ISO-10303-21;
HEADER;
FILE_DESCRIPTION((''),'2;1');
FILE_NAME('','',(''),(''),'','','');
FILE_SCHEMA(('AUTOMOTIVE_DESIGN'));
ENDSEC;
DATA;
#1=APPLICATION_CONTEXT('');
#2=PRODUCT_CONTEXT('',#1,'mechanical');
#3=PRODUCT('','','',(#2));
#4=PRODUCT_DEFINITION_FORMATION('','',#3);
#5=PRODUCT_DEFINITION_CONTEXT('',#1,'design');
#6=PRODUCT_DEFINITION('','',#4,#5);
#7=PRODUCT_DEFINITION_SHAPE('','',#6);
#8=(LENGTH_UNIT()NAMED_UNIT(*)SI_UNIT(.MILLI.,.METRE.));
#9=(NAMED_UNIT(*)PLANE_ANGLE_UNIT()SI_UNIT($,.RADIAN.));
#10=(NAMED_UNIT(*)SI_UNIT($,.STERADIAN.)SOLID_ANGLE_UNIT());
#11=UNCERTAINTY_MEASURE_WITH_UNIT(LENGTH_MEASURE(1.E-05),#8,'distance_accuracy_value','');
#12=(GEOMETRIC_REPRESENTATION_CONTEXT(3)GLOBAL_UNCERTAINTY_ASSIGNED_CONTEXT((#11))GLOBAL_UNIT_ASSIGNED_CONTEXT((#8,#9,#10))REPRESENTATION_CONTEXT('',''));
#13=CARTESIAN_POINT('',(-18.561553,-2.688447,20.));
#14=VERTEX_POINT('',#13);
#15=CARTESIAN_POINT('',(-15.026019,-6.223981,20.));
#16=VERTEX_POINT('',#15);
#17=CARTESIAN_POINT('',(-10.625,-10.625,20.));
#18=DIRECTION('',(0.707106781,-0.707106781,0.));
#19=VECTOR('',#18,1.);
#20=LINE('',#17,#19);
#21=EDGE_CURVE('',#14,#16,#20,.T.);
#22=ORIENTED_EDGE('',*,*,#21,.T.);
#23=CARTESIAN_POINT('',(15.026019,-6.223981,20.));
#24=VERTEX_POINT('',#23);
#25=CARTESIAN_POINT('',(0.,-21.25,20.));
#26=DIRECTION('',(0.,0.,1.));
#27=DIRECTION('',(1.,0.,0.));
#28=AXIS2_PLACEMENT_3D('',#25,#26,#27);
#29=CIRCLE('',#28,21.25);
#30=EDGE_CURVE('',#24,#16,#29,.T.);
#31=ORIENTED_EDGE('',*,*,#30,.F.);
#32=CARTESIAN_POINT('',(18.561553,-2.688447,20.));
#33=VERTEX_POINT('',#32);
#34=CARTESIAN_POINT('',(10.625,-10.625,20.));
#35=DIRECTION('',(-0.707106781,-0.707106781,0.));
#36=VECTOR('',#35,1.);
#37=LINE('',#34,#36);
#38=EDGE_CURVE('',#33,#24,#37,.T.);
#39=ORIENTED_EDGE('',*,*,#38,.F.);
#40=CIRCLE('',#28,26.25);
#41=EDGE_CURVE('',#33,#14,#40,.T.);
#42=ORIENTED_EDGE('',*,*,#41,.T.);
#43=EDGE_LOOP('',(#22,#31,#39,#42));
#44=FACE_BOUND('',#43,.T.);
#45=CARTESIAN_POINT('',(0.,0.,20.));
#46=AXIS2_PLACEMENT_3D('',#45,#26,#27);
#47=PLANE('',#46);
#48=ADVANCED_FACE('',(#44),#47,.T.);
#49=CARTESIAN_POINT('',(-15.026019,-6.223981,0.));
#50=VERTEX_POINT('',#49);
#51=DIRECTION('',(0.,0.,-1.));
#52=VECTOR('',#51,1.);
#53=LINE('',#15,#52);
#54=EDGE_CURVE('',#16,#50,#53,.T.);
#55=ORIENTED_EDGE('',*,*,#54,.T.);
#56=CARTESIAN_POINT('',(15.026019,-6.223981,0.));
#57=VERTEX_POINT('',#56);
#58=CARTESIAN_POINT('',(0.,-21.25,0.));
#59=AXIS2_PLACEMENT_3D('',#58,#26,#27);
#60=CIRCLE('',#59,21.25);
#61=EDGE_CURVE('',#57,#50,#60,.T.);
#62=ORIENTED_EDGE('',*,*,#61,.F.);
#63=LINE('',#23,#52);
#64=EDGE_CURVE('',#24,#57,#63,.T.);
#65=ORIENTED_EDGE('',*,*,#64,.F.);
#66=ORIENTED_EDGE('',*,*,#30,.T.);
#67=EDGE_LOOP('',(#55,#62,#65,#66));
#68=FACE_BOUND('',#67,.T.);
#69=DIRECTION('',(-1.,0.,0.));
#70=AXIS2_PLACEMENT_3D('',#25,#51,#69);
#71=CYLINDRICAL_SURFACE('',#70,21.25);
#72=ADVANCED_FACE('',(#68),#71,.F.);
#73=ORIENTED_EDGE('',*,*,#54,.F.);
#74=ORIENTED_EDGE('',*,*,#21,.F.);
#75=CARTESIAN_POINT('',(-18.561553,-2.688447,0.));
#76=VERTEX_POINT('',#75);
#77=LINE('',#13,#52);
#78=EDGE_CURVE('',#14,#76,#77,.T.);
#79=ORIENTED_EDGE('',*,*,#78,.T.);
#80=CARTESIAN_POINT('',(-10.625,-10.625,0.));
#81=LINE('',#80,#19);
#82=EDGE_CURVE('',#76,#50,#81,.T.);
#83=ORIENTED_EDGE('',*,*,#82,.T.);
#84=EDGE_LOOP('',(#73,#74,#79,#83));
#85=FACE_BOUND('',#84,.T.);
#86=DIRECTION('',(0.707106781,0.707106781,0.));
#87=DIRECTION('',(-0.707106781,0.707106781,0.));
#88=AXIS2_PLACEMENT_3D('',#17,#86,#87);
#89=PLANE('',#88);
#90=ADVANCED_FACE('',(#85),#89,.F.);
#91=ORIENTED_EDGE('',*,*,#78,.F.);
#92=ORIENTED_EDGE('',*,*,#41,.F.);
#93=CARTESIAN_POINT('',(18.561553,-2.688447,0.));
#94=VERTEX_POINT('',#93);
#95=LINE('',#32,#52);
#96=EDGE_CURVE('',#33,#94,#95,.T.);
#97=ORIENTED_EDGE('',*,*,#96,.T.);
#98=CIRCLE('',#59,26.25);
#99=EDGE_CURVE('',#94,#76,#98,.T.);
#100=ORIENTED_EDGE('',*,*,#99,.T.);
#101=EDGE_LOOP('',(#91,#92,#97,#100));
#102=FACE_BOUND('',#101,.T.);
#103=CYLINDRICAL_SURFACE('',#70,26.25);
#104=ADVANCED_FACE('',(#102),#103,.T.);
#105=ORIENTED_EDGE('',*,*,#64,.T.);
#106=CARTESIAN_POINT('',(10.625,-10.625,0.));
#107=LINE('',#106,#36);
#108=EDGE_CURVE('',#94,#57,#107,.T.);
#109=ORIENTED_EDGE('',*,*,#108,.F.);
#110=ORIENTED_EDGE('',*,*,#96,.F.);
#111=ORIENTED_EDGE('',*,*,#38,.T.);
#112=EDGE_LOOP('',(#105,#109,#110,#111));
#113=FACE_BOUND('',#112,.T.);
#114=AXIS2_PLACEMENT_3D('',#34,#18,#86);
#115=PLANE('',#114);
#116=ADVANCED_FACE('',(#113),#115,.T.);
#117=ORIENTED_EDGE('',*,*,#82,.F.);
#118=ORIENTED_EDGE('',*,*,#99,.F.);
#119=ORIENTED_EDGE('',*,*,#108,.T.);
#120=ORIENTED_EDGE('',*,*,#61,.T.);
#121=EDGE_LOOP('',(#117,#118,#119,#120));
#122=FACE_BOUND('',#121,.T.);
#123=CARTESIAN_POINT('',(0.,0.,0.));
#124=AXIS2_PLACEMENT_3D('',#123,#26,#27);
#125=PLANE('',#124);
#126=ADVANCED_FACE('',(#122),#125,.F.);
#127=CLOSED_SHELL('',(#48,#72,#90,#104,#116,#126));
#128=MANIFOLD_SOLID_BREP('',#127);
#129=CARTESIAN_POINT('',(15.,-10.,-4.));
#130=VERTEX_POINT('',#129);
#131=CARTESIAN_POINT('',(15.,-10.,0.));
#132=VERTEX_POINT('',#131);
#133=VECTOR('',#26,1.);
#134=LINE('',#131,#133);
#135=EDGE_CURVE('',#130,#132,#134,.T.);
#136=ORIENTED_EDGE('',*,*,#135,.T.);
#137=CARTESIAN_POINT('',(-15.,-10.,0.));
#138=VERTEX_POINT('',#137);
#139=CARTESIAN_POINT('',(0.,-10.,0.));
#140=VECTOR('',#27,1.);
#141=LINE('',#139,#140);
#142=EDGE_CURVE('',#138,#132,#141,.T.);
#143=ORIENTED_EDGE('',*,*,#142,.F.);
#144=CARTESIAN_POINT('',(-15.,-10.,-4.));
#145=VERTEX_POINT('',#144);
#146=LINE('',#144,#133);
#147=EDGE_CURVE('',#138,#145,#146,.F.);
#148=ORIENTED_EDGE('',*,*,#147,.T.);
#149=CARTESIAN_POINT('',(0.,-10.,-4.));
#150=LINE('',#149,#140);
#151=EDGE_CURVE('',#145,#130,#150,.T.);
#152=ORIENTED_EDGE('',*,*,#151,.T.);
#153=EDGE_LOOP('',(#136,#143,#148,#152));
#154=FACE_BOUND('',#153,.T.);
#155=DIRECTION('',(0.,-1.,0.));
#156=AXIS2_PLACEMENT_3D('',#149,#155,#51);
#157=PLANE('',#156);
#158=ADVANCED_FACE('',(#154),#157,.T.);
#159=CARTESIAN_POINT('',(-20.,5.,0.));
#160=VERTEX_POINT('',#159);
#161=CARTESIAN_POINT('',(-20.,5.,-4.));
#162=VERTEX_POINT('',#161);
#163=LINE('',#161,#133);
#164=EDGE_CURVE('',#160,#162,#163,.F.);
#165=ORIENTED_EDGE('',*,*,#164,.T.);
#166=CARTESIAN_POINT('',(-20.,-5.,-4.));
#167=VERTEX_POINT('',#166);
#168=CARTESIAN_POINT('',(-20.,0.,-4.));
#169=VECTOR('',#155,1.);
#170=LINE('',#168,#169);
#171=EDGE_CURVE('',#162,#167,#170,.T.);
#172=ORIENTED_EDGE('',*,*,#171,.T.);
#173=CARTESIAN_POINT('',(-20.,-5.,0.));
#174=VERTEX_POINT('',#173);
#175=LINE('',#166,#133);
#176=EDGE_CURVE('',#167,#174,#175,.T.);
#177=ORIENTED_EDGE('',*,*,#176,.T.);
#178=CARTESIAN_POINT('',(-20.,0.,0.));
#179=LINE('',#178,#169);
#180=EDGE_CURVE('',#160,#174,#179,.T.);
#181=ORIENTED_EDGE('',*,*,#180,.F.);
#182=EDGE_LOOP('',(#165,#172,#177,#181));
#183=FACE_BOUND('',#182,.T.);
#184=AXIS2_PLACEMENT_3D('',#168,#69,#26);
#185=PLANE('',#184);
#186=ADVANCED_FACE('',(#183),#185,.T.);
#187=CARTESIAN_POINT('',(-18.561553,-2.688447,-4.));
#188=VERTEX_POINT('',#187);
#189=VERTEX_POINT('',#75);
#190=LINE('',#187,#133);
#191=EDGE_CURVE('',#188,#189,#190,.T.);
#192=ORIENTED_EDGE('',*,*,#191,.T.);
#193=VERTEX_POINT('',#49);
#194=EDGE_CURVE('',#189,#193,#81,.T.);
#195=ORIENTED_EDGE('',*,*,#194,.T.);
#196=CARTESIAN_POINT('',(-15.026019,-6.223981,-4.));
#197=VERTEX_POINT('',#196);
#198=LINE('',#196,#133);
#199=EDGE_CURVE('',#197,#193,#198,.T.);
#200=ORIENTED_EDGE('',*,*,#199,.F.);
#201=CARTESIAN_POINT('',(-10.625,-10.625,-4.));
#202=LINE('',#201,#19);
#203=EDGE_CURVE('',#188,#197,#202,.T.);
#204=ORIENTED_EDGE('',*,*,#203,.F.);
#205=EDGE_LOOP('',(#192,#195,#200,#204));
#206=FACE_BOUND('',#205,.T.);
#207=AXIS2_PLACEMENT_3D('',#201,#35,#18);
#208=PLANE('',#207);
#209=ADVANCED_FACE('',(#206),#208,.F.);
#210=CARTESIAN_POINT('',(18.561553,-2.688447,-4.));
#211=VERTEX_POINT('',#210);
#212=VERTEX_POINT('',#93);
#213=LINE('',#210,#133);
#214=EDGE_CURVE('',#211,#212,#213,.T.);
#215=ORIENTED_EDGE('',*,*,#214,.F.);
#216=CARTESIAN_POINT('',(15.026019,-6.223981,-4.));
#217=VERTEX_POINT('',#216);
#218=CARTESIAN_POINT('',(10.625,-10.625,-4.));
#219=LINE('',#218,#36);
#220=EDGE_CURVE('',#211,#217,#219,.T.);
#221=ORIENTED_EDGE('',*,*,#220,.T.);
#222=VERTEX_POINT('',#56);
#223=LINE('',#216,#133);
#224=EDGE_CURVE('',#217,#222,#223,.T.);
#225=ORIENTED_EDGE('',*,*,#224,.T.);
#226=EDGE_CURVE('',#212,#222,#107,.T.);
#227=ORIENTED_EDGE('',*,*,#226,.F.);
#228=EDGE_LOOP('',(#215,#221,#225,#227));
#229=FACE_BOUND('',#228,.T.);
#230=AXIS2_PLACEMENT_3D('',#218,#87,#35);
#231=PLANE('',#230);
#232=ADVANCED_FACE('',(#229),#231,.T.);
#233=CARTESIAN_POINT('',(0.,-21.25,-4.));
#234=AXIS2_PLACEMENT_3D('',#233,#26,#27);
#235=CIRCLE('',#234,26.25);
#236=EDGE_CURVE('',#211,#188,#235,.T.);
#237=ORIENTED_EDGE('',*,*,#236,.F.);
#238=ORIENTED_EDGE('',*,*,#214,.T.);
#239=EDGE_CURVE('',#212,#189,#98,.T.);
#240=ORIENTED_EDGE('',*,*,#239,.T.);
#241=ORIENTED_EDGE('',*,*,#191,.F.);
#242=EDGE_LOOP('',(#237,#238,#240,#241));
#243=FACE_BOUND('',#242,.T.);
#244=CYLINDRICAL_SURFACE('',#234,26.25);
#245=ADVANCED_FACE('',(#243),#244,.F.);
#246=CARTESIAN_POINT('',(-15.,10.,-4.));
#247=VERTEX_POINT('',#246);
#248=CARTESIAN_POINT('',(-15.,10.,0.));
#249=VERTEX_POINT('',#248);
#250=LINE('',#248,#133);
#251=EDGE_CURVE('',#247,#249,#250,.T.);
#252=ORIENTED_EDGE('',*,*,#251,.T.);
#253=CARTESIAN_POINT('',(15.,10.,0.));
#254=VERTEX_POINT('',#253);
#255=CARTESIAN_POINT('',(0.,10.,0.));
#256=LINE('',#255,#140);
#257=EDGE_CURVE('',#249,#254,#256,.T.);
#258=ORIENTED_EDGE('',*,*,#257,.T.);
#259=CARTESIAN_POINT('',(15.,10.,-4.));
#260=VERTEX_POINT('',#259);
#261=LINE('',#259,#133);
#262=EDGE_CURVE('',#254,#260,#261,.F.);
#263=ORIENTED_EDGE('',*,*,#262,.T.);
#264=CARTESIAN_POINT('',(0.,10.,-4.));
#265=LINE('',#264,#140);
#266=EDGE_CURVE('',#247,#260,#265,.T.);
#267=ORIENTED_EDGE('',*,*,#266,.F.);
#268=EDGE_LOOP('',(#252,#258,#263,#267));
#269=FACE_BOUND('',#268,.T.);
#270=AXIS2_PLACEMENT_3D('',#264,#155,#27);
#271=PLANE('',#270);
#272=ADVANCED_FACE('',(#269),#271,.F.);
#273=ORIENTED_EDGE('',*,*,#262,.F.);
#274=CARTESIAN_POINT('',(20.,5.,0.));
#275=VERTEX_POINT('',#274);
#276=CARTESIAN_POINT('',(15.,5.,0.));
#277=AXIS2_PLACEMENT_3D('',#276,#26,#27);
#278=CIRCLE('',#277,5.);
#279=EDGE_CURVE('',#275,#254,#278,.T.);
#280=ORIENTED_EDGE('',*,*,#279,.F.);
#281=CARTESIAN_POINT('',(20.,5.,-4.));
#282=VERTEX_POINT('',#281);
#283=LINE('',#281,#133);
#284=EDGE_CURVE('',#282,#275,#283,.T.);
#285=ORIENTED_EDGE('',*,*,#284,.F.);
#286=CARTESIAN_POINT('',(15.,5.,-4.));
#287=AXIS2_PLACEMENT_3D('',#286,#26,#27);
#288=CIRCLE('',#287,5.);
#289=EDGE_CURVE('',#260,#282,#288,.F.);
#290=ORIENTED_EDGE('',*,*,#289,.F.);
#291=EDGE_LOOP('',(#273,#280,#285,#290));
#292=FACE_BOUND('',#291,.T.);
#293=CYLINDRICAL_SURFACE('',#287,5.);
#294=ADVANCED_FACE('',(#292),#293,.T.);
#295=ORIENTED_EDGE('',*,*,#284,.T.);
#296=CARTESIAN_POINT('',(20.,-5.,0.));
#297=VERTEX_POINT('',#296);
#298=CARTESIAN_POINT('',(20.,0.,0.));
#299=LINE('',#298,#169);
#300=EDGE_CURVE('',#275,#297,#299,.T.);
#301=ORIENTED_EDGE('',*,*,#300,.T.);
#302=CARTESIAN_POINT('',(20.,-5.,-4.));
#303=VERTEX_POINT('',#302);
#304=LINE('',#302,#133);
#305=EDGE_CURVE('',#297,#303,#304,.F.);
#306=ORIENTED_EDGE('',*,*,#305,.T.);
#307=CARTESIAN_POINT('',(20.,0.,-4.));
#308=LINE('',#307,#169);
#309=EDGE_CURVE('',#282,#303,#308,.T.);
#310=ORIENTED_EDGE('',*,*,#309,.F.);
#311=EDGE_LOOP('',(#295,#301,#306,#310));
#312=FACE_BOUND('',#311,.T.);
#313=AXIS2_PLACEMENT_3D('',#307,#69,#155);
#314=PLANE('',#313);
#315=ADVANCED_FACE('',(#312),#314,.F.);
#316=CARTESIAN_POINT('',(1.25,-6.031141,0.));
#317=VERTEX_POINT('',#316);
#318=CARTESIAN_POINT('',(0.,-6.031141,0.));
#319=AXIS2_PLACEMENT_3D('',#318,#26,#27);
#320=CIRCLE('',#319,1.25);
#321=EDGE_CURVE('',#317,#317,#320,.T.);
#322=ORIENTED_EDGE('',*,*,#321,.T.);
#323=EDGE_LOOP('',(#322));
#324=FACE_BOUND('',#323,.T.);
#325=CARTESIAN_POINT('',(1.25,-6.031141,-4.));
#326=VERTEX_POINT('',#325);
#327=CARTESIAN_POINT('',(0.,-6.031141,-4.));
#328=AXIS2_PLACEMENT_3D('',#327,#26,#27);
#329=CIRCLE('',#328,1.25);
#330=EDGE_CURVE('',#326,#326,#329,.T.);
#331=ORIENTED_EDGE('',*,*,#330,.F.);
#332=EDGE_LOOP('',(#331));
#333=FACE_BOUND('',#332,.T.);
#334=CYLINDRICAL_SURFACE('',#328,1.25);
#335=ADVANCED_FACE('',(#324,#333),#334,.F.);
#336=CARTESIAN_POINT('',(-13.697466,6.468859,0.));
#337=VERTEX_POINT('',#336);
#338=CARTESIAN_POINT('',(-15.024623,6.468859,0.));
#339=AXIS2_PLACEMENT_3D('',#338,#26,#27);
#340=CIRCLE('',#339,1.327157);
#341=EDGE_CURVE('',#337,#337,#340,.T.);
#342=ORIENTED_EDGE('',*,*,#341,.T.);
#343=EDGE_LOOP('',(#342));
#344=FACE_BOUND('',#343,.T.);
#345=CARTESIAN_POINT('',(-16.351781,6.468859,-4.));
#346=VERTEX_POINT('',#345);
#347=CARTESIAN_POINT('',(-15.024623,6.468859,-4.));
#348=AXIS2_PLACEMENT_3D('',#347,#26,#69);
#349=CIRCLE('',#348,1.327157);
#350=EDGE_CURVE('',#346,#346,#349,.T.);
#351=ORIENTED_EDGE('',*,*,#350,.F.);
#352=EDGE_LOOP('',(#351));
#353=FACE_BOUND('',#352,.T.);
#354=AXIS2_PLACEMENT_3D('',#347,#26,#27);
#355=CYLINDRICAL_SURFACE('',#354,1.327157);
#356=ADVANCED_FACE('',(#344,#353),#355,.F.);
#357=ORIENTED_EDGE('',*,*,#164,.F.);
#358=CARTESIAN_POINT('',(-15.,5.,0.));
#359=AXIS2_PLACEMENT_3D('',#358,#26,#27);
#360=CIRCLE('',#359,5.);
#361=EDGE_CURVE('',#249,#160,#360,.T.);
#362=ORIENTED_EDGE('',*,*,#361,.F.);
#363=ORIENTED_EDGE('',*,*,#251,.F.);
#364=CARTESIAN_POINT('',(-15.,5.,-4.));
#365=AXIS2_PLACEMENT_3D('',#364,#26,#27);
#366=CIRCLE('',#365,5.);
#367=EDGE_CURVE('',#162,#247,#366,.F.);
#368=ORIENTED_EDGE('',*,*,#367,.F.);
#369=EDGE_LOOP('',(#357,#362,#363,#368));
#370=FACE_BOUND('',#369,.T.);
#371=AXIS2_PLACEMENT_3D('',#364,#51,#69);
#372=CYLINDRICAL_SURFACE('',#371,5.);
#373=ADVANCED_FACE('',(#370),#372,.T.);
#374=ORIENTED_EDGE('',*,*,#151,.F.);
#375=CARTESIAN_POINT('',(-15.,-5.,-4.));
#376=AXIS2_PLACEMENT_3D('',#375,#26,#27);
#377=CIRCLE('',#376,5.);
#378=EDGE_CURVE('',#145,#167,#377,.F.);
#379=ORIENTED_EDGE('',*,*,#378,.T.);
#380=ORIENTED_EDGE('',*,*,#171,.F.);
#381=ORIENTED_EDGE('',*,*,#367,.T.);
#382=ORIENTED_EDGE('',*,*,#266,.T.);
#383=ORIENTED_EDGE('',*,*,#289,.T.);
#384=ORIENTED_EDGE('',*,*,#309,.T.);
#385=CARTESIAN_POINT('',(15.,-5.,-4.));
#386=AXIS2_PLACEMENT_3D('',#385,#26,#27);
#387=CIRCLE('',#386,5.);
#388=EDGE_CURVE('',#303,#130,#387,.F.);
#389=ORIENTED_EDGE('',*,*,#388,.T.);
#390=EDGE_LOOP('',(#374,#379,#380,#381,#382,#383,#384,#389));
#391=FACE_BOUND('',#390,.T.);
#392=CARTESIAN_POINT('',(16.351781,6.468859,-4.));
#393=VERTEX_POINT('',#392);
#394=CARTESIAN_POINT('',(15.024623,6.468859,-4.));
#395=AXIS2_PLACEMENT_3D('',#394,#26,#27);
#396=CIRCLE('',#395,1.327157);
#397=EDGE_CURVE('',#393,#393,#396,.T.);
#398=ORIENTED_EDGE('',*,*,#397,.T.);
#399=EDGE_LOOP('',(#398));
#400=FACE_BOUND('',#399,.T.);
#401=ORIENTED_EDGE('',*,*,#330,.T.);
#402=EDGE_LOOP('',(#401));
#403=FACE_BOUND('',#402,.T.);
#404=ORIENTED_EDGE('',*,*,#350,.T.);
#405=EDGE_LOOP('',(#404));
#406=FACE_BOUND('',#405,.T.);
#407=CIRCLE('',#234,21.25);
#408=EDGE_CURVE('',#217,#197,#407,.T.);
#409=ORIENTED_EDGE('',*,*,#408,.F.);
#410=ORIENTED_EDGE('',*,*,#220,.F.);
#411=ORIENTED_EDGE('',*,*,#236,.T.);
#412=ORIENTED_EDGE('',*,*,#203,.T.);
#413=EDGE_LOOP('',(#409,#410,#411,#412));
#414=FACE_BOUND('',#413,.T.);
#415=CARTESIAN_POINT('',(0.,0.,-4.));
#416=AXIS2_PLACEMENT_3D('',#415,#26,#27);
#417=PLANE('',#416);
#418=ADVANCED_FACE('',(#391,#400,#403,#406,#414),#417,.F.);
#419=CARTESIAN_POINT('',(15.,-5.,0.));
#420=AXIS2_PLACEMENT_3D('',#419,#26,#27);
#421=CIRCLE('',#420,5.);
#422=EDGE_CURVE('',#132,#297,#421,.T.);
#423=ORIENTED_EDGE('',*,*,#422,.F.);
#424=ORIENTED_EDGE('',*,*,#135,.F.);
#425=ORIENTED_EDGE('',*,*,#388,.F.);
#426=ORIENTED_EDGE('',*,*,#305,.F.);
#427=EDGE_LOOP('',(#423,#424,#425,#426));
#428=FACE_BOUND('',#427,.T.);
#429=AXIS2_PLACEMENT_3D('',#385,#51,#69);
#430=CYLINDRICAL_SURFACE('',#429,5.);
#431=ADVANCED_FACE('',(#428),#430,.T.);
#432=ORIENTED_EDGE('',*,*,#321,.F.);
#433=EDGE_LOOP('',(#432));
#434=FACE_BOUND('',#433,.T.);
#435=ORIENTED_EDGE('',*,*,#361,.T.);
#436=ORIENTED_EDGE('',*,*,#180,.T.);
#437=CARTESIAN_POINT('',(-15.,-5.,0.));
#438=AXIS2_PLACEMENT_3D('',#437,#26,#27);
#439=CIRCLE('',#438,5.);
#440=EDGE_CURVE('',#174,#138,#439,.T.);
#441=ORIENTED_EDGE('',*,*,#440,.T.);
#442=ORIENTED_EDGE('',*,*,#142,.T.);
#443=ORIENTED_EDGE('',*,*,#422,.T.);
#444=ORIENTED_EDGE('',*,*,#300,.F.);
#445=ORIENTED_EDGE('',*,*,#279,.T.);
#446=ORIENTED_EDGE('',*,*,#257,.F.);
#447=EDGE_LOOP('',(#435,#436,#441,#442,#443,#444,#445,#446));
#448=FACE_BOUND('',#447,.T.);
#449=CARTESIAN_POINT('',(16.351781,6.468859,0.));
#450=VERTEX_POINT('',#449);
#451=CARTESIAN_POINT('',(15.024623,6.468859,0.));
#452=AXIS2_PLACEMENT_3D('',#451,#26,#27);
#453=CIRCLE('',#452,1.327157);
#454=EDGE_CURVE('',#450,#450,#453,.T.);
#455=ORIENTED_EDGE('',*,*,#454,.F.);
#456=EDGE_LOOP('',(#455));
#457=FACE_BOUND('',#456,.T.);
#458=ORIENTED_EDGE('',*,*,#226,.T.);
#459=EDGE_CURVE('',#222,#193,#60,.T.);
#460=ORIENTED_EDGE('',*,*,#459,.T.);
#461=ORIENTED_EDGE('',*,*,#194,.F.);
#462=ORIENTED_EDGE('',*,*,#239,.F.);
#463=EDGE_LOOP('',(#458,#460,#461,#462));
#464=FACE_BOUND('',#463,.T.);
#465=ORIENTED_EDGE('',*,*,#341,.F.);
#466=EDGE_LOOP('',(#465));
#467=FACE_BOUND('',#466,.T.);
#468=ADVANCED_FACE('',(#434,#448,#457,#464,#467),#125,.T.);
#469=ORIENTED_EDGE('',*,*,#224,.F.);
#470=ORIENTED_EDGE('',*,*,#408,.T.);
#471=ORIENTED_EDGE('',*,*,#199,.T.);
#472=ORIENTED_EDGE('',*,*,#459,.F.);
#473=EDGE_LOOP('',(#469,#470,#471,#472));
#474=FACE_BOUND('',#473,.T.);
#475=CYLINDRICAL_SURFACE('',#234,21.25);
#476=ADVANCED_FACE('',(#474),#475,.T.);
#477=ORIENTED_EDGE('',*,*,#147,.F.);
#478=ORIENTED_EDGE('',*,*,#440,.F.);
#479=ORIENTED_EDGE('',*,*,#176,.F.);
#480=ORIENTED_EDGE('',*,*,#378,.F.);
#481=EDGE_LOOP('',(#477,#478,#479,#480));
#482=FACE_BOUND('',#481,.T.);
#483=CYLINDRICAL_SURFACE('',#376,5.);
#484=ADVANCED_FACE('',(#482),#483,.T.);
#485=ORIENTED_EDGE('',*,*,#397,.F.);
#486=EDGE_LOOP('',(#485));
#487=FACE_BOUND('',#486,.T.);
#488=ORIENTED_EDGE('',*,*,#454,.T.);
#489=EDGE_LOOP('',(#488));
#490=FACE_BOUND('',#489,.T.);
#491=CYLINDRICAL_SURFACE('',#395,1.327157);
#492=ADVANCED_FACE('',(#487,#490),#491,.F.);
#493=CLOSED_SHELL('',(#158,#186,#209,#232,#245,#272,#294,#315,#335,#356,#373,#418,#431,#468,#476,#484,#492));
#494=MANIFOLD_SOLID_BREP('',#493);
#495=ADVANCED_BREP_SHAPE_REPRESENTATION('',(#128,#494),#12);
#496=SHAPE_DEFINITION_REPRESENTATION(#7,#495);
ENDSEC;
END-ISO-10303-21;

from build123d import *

# Parameters (mm, degrees)
BOSS_EXTRUDE1_DEPTH     = 20
SKETCH1_3_W             = 40
SKETCH1_3_H             = 20
BOSS_EXTRUDE2_DEPTH     = 4
FILLET1_R               = 5
CUT_EXTRUDE1_DEPTH      = 31
CUT_EXTRUDE1_DEPTH_BACK = 31
SKETCH2_R               = 1.327157312
SKETCH2_R_2             = 1.25


with BuildPart() as part:
    # Sketch1 → Boss-Extrude1 (new body)
    with BuildSketch(Plane.XY):
        with BuildLine():
            Line((15.0260191, -6.2239809), (18.561553006, -2.688446994))
            ThreePointArc((18.561553006, -2.688446994), (0, 5), (-18.561553006, -2.688446994))
            Line((-18.561553006, -2.688446994), (-15.0260191, -6.2239809))
            ThreePointArc((-15.0260191, -6.2239809), (0, 0), (15.0260191, -6.2239809))
        make_face()
    extrude(amount=BOSS_EXTRUDE1_DEPTH)


with BuildPart() as body_2:
    # Sketch1<3> → Boss-Extrude2 (new body)
    with BuildSketch(Plane.XY):
        Rectangle(SKETCH1_3_W, SKETCH1_3_H)
        with BuildLine():
            Line((18.561553006, -2.688446994), (15.0260191, -6.2239809))
            ThreePointArc((15.0260191, -6.2239809), (0, 0), (-15.0260191, -6.2239809))
            Line((-15.0260191, -6.2239809), (-18.561553006, -2.688446994))
            ThreePointArc((-18.561553006, -2.688446994), (0, 5), (18.561553006, -2.688446994))
        make_face(mode=Mode.SUBTRACT)
    extrude(amount=-BOSS_EXTRUDE2_DEPTH)

    # Fillet1
    fillet1_edges = [body_2.edges().sort_by_distance(p)[0] for p in [
        (20, 10, -2),
        (20, -10, -2),
        (-20, -10, -2),
        (-20, 10, -2),
    ]]
    fillet(fillet1_edges, radius=FILLET1_R)

    # Sketch2 → Cut-Extrude1 (cut, two sides: drawn at the far end of the back side and taken through both)
    with BuildSketch(Plane.XY.offset(-CUT_EXTRUDE1_DEPTH_BACK)):
        with Locations((15.024623413, 6.468859218)):
            Circle(SKETCH2_R)
        with Locations((0, -6.031140782)):
            Circle(SKETCH2_R_2)
        with Locations((-15.024623413, 6.468859218)):
            Circle(SKETCH2_R)
    extrude(amount=CUT_EXTRUDE1_DEPTH + CUT_EXTRUDE1_DEPTH_BACK, mode=Mode.SUBTRACT)


solid = Compound([part.part, body_2.part])
